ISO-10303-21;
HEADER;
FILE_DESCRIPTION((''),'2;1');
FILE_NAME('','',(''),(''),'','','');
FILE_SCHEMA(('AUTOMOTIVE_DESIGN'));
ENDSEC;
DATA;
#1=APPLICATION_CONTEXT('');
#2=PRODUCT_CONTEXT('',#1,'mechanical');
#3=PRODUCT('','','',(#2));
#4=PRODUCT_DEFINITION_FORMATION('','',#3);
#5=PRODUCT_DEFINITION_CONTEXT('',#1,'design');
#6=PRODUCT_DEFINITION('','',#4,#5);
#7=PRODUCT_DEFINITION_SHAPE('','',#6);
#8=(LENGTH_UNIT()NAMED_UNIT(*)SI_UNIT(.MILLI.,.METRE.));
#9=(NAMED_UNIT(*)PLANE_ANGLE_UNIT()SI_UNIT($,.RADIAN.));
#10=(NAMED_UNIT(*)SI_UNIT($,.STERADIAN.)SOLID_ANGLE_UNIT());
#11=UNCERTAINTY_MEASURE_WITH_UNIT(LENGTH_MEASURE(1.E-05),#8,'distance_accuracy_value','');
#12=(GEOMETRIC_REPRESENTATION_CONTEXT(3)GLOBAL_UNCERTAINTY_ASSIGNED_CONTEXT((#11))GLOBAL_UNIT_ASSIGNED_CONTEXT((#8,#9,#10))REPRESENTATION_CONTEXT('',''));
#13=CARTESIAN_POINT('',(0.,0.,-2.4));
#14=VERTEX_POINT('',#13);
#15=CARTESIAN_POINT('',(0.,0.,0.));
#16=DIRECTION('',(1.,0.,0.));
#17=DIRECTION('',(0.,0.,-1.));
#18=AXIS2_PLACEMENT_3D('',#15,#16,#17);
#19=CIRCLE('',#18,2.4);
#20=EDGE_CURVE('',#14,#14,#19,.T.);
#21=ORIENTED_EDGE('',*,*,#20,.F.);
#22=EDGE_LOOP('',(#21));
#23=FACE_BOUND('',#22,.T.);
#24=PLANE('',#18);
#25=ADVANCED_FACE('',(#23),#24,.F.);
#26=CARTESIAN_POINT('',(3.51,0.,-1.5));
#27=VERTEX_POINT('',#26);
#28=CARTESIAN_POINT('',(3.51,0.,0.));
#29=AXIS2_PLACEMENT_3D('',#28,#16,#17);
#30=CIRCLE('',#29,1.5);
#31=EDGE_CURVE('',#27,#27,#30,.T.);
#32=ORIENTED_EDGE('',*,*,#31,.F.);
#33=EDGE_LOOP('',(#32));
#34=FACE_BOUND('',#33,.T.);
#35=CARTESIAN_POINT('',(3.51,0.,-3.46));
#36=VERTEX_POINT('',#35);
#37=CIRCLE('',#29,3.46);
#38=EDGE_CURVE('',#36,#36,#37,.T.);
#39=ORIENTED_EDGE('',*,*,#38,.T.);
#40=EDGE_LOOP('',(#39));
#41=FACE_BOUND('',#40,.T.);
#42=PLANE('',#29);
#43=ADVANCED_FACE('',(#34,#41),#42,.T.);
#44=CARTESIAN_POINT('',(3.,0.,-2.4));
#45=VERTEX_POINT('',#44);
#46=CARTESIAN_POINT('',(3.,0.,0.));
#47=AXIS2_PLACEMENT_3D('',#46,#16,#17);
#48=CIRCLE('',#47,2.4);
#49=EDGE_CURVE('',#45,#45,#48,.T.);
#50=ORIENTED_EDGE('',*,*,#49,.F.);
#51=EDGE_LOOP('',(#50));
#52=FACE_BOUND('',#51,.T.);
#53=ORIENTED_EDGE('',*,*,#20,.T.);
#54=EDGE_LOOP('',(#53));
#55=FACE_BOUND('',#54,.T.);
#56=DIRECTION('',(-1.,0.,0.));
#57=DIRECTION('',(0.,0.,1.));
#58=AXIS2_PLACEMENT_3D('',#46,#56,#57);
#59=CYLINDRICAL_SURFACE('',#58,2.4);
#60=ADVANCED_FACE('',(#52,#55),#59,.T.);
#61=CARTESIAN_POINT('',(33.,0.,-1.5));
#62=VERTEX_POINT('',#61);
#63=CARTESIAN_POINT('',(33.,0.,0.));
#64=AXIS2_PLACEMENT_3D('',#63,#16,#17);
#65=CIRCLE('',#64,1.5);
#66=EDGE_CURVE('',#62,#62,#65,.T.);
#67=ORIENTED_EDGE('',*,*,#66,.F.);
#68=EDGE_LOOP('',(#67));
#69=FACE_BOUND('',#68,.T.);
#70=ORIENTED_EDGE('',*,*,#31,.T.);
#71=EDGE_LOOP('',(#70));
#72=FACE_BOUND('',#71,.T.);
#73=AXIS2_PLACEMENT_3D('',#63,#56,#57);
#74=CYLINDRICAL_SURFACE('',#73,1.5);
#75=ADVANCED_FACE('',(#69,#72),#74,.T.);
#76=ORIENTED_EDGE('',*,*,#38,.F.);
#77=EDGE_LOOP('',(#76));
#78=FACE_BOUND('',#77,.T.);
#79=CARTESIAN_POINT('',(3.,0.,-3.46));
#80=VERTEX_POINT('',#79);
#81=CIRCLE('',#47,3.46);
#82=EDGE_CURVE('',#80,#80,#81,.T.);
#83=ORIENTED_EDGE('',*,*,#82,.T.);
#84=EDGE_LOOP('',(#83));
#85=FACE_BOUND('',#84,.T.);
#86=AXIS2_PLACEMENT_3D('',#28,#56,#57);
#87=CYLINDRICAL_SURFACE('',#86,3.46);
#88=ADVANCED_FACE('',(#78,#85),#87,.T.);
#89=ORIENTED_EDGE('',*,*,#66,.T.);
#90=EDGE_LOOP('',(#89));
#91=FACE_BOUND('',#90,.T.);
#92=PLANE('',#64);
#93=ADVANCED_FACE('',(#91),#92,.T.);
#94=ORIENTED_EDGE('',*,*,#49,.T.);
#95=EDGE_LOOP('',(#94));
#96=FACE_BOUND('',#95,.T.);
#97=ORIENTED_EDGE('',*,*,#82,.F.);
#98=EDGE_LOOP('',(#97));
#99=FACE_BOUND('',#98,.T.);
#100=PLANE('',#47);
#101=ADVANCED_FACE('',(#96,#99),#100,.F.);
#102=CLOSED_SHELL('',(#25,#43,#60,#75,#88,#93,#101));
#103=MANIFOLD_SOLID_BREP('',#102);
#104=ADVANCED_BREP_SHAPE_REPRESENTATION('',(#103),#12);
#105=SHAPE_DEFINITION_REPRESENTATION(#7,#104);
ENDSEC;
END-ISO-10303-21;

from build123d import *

# Parameters (mm, degrees)
SKETCH1_R           = 2.4
BOSS_EXTRUDE1_DEPTH = 3
SKETCH2_R           = 1.5
BOSS_EXTRUDE2_DEPTH = 30
SKETCH3_R           = 3.46
BOSS_EXTRUDE3_DEPTH = 0.51


with BuildPart() as part:
    # Sketch1 → Boss-Extrude1 (new body)
    with BuildSketch(Plane(origin=(0, 0, 0), x_dir=(0, 0, -1), z_dir=(1, 0, 0))):
        Circle(SKETCH1_R)
    extrude(amount=BOSS_EXTRUDE1_DEPTH)

    # Sketch2 → Boss-Extrude2 (add)
    with BuildSketch(Plane(origin=(3, 0, 0), x_dir=(0, 0, -1), z_dir=(1, 0, 0))):
        Circle(SKETCH2_R)
    extrude(amount=BOSS_EXTRUDE2_DEPTH)

    # Sketch3 → Boss-Extrude3 (add)
    with BuildSketch(Plane(origin=(3, 0, 0), x_dir=(0, 0, -1), z_dir=(1, 0, 0))):
        Circle(SKETCH3_R)
    extrude(amount=BOSS_EXTRUDE3_DEPTH)


solid = part.part
